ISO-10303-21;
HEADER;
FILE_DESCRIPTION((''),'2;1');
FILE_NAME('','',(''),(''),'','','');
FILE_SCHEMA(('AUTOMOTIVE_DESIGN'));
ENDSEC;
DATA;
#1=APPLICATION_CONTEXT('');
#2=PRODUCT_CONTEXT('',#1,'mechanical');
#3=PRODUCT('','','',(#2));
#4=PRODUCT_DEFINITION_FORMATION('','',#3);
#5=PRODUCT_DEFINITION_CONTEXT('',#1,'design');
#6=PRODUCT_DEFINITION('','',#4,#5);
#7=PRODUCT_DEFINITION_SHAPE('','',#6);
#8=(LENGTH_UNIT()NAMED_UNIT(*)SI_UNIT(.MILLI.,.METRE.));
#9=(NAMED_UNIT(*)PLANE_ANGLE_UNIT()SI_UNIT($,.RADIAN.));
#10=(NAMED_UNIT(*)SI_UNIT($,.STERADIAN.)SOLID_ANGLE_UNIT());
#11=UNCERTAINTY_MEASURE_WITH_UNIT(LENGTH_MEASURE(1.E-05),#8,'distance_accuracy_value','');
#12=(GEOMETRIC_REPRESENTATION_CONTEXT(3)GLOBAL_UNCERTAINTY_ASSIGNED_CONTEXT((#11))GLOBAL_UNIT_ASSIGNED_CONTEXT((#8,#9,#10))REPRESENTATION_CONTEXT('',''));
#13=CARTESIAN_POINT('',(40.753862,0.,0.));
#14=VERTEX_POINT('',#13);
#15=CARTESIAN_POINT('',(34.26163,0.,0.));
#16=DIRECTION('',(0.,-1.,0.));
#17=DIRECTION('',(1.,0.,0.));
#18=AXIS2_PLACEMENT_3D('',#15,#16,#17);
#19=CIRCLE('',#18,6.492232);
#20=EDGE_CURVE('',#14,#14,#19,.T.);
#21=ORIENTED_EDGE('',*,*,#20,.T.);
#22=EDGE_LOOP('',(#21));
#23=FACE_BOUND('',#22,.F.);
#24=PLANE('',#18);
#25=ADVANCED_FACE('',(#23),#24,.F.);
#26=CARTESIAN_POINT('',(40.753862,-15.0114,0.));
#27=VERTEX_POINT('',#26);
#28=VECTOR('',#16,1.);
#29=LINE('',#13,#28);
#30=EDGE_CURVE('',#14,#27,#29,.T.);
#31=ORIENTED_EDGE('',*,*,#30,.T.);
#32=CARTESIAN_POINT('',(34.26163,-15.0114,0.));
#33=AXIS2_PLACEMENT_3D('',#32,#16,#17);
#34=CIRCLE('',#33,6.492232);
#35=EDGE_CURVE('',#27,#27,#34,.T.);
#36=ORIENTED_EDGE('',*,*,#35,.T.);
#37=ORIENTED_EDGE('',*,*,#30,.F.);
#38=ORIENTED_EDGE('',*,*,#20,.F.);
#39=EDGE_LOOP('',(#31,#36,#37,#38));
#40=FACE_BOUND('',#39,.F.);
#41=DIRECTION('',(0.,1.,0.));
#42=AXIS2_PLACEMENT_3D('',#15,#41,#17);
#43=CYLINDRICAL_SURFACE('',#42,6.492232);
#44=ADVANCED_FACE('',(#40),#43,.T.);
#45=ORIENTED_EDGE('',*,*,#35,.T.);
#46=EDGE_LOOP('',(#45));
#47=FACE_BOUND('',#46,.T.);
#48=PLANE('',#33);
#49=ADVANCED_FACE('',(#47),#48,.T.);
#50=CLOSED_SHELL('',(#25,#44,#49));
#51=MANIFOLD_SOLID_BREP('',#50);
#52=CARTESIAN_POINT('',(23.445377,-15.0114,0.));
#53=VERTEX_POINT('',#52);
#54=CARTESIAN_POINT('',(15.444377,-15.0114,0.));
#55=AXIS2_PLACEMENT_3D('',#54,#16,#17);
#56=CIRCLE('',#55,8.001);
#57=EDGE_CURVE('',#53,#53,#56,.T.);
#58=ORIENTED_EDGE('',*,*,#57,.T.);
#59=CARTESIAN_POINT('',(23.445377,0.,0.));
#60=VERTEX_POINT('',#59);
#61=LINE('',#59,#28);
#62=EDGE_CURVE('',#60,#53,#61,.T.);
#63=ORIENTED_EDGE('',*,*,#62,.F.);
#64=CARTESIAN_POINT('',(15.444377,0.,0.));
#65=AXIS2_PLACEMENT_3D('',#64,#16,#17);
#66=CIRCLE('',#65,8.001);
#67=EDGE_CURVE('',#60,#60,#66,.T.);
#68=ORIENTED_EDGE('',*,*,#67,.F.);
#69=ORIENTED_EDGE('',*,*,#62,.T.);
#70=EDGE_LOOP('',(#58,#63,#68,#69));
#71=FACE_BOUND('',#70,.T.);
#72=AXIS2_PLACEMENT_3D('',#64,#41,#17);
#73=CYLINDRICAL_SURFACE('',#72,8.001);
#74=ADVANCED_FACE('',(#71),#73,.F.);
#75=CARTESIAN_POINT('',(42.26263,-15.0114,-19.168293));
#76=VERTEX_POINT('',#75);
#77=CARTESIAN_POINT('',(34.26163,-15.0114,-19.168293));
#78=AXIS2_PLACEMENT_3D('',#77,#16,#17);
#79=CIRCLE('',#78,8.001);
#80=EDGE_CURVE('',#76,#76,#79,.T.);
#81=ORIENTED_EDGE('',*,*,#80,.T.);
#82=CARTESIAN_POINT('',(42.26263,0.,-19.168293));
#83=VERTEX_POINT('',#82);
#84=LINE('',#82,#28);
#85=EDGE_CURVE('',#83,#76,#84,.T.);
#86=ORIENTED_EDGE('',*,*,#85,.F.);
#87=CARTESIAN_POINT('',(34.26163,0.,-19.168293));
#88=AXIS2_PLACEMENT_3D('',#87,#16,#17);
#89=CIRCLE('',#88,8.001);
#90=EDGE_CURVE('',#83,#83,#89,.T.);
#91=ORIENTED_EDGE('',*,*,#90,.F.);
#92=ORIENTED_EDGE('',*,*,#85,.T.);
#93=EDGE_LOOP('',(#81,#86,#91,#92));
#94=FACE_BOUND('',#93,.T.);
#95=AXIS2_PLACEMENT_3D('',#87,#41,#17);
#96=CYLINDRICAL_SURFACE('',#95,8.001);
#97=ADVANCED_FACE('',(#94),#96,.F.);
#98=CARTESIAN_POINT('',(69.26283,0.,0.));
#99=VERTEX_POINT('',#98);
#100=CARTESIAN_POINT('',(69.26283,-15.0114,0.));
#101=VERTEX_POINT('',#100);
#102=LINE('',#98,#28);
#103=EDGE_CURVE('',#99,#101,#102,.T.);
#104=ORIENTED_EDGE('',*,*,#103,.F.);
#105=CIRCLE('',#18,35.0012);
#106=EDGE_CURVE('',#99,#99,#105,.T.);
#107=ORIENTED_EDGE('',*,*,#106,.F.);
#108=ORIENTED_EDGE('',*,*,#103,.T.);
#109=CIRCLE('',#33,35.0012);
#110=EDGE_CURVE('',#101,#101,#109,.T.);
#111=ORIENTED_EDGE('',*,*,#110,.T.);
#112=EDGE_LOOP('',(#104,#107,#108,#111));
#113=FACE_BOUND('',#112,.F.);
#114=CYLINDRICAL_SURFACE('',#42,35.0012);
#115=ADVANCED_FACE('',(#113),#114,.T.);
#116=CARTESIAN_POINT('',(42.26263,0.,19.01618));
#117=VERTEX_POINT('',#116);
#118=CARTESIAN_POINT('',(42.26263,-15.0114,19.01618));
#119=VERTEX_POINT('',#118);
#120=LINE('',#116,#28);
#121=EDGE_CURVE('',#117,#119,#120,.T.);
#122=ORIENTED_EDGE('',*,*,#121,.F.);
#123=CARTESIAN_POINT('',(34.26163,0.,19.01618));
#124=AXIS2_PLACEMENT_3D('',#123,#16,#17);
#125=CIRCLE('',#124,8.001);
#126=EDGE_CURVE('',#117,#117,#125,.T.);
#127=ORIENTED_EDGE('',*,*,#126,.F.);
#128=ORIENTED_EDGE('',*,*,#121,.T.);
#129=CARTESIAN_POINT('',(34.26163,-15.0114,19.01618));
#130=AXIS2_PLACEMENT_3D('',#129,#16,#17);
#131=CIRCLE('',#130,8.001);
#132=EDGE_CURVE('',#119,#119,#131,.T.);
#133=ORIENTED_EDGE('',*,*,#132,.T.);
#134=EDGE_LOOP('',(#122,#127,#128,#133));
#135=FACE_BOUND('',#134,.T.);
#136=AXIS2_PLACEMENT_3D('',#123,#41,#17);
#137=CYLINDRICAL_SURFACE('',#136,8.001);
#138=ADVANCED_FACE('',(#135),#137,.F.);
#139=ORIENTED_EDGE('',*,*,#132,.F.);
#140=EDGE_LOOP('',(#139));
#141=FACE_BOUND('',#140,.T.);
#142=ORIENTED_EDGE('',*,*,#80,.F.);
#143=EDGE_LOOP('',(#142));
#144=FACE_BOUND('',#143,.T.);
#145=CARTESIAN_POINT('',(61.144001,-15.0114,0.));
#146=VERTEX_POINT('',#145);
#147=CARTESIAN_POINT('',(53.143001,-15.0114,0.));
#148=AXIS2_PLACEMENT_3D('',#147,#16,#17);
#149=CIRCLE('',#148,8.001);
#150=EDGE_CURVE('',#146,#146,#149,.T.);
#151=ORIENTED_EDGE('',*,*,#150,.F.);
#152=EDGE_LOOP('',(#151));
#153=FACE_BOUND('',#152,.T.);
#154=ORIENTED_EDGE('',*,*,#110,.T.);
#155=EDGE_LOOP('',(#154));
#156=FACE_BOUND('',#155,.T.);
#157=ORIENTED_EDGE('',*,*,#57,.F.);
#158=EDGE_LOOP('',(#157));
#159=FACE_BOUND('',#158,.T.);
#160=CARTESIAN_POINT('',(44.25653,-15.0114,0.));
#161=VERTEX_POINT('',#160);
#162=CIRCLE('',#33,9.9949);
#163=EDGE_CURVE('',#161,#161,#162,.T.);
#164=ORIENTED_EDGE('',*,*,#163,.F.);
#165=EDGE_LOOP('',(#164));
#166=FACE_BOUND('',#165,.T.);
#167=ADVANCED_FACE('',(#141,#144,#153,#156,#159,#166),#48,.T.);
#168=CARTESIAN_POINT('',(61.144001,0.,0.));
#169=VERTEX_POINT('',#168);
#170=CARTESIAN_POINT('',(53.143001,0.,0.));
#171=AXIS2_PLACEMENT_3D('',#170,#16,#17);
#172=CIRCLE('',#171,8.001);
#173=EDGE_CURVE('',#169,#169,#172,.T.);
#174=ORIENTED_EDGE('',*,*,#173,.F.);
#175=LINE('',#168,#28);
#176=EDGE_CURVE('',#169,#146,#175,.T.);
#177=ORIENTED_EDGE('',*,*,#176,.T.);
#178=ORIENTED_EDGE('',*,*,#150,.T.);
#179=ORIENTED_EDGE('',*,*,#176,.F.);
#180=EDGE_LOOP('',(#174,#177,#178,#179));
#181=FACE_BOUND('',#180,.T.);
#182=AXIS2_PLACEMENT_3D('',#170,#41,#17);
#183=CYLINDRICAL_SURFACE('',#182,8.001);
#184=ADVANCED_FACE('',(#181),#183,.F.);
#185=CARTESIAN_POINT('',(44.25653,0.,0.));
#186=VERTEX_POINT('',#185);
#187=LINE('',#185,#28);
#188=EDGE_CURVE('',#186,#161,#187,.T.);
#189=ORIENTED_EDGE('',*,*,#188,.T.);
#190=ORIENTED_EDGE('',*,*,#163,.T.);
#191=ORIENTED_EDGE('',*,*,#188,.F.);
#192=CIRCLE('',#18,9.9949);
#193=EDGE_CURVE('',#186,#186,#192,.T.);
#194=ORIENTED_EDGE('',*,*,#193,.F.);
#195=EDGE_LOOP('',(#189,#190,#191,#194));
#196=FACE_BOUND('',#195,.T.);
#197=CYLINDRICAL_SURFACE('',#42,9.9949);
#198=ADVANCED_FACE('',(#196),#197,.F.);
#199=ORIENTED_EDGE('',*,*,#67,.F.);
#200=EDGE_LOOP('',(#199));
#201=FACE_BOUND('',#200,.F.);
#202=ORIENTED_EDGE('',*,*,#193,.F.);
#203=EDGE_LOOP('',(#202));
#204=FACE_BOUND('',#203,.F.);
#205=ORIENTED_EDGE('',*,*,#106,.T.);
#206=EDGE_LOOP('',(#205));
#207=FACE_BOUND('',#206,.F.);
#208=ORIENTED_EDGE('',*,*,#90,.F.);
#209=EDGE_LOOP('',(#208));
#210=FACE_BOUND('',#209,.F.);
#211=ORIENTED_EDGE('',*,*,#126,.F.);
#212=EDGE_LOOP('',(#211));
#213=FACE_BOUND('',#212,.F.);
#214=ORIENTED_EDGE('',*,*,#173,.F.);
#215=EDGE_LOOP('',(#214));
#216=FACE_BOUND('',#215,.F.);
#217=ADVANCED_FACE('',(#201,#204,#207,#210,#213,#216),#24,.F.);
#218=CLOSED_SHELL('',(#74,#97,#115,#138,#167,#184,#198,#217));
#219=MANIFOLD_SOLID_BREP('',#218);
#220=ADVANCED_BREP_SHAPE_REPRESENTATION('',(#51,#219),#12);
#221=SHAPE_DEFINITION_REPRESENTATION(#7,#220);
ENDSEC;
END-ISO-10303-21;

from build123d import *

# Parameters (mm, degrees)
F0_R     = 35.0012
F0_R_2   = 29.9974
F0_R_3   = 8.001
F0_R_4   = 9.9949
F1_DEPTH = 15.0114
F0_R_5   = 6.4922316386


with BuildPart() as f1:
    # F0 (on Front) → F1 (new body)
    with BuildSketch(Plane.XZ):
        with Locations((34.2616300812, 0)):
            Circle(F0_R)
        with Locations((34.2616300812, 0)):
            Circle(F0_R_2, mode=Mode.SUBTRACT)
        with Locations((34.2616300812, 0)):
            Circle(F0_R_2)
        with Locations((34.2616300812, -19.168293041)):
            Circle(F0_R_3, mode=Mode.SUBTRACT)
        with Locations((15.4443772489, 0)):
            Circle(F0_R_3, mode=Mode.SUBTRACT)
        with Locations((34.2616300812, 0)):
            Circle(F0_R_4, mode=Mode.SUBTRACT)
        with Locations((53.1430010947, 0)):
            Circle(F0_R_3, mode=Mode.SUBTRACT)
        with Locations((34.2616300812, 19.0161795357)):
            Circle(F0_R_3, mode=Mode.SUBTRACT)
    extrude(amount=F1_DEPTH)


with BuildPart() as f1b:
    # F0 (on Front) → F1, piece 2 (new body)
    with BuildSketch(Plane.XZ):
        with Locations((34.2616300812, 0)):
            Circle(F0_R_5)
    extrude(amount=F1_DEPTH)


solid = Compound([f1.part, f1b.part])
